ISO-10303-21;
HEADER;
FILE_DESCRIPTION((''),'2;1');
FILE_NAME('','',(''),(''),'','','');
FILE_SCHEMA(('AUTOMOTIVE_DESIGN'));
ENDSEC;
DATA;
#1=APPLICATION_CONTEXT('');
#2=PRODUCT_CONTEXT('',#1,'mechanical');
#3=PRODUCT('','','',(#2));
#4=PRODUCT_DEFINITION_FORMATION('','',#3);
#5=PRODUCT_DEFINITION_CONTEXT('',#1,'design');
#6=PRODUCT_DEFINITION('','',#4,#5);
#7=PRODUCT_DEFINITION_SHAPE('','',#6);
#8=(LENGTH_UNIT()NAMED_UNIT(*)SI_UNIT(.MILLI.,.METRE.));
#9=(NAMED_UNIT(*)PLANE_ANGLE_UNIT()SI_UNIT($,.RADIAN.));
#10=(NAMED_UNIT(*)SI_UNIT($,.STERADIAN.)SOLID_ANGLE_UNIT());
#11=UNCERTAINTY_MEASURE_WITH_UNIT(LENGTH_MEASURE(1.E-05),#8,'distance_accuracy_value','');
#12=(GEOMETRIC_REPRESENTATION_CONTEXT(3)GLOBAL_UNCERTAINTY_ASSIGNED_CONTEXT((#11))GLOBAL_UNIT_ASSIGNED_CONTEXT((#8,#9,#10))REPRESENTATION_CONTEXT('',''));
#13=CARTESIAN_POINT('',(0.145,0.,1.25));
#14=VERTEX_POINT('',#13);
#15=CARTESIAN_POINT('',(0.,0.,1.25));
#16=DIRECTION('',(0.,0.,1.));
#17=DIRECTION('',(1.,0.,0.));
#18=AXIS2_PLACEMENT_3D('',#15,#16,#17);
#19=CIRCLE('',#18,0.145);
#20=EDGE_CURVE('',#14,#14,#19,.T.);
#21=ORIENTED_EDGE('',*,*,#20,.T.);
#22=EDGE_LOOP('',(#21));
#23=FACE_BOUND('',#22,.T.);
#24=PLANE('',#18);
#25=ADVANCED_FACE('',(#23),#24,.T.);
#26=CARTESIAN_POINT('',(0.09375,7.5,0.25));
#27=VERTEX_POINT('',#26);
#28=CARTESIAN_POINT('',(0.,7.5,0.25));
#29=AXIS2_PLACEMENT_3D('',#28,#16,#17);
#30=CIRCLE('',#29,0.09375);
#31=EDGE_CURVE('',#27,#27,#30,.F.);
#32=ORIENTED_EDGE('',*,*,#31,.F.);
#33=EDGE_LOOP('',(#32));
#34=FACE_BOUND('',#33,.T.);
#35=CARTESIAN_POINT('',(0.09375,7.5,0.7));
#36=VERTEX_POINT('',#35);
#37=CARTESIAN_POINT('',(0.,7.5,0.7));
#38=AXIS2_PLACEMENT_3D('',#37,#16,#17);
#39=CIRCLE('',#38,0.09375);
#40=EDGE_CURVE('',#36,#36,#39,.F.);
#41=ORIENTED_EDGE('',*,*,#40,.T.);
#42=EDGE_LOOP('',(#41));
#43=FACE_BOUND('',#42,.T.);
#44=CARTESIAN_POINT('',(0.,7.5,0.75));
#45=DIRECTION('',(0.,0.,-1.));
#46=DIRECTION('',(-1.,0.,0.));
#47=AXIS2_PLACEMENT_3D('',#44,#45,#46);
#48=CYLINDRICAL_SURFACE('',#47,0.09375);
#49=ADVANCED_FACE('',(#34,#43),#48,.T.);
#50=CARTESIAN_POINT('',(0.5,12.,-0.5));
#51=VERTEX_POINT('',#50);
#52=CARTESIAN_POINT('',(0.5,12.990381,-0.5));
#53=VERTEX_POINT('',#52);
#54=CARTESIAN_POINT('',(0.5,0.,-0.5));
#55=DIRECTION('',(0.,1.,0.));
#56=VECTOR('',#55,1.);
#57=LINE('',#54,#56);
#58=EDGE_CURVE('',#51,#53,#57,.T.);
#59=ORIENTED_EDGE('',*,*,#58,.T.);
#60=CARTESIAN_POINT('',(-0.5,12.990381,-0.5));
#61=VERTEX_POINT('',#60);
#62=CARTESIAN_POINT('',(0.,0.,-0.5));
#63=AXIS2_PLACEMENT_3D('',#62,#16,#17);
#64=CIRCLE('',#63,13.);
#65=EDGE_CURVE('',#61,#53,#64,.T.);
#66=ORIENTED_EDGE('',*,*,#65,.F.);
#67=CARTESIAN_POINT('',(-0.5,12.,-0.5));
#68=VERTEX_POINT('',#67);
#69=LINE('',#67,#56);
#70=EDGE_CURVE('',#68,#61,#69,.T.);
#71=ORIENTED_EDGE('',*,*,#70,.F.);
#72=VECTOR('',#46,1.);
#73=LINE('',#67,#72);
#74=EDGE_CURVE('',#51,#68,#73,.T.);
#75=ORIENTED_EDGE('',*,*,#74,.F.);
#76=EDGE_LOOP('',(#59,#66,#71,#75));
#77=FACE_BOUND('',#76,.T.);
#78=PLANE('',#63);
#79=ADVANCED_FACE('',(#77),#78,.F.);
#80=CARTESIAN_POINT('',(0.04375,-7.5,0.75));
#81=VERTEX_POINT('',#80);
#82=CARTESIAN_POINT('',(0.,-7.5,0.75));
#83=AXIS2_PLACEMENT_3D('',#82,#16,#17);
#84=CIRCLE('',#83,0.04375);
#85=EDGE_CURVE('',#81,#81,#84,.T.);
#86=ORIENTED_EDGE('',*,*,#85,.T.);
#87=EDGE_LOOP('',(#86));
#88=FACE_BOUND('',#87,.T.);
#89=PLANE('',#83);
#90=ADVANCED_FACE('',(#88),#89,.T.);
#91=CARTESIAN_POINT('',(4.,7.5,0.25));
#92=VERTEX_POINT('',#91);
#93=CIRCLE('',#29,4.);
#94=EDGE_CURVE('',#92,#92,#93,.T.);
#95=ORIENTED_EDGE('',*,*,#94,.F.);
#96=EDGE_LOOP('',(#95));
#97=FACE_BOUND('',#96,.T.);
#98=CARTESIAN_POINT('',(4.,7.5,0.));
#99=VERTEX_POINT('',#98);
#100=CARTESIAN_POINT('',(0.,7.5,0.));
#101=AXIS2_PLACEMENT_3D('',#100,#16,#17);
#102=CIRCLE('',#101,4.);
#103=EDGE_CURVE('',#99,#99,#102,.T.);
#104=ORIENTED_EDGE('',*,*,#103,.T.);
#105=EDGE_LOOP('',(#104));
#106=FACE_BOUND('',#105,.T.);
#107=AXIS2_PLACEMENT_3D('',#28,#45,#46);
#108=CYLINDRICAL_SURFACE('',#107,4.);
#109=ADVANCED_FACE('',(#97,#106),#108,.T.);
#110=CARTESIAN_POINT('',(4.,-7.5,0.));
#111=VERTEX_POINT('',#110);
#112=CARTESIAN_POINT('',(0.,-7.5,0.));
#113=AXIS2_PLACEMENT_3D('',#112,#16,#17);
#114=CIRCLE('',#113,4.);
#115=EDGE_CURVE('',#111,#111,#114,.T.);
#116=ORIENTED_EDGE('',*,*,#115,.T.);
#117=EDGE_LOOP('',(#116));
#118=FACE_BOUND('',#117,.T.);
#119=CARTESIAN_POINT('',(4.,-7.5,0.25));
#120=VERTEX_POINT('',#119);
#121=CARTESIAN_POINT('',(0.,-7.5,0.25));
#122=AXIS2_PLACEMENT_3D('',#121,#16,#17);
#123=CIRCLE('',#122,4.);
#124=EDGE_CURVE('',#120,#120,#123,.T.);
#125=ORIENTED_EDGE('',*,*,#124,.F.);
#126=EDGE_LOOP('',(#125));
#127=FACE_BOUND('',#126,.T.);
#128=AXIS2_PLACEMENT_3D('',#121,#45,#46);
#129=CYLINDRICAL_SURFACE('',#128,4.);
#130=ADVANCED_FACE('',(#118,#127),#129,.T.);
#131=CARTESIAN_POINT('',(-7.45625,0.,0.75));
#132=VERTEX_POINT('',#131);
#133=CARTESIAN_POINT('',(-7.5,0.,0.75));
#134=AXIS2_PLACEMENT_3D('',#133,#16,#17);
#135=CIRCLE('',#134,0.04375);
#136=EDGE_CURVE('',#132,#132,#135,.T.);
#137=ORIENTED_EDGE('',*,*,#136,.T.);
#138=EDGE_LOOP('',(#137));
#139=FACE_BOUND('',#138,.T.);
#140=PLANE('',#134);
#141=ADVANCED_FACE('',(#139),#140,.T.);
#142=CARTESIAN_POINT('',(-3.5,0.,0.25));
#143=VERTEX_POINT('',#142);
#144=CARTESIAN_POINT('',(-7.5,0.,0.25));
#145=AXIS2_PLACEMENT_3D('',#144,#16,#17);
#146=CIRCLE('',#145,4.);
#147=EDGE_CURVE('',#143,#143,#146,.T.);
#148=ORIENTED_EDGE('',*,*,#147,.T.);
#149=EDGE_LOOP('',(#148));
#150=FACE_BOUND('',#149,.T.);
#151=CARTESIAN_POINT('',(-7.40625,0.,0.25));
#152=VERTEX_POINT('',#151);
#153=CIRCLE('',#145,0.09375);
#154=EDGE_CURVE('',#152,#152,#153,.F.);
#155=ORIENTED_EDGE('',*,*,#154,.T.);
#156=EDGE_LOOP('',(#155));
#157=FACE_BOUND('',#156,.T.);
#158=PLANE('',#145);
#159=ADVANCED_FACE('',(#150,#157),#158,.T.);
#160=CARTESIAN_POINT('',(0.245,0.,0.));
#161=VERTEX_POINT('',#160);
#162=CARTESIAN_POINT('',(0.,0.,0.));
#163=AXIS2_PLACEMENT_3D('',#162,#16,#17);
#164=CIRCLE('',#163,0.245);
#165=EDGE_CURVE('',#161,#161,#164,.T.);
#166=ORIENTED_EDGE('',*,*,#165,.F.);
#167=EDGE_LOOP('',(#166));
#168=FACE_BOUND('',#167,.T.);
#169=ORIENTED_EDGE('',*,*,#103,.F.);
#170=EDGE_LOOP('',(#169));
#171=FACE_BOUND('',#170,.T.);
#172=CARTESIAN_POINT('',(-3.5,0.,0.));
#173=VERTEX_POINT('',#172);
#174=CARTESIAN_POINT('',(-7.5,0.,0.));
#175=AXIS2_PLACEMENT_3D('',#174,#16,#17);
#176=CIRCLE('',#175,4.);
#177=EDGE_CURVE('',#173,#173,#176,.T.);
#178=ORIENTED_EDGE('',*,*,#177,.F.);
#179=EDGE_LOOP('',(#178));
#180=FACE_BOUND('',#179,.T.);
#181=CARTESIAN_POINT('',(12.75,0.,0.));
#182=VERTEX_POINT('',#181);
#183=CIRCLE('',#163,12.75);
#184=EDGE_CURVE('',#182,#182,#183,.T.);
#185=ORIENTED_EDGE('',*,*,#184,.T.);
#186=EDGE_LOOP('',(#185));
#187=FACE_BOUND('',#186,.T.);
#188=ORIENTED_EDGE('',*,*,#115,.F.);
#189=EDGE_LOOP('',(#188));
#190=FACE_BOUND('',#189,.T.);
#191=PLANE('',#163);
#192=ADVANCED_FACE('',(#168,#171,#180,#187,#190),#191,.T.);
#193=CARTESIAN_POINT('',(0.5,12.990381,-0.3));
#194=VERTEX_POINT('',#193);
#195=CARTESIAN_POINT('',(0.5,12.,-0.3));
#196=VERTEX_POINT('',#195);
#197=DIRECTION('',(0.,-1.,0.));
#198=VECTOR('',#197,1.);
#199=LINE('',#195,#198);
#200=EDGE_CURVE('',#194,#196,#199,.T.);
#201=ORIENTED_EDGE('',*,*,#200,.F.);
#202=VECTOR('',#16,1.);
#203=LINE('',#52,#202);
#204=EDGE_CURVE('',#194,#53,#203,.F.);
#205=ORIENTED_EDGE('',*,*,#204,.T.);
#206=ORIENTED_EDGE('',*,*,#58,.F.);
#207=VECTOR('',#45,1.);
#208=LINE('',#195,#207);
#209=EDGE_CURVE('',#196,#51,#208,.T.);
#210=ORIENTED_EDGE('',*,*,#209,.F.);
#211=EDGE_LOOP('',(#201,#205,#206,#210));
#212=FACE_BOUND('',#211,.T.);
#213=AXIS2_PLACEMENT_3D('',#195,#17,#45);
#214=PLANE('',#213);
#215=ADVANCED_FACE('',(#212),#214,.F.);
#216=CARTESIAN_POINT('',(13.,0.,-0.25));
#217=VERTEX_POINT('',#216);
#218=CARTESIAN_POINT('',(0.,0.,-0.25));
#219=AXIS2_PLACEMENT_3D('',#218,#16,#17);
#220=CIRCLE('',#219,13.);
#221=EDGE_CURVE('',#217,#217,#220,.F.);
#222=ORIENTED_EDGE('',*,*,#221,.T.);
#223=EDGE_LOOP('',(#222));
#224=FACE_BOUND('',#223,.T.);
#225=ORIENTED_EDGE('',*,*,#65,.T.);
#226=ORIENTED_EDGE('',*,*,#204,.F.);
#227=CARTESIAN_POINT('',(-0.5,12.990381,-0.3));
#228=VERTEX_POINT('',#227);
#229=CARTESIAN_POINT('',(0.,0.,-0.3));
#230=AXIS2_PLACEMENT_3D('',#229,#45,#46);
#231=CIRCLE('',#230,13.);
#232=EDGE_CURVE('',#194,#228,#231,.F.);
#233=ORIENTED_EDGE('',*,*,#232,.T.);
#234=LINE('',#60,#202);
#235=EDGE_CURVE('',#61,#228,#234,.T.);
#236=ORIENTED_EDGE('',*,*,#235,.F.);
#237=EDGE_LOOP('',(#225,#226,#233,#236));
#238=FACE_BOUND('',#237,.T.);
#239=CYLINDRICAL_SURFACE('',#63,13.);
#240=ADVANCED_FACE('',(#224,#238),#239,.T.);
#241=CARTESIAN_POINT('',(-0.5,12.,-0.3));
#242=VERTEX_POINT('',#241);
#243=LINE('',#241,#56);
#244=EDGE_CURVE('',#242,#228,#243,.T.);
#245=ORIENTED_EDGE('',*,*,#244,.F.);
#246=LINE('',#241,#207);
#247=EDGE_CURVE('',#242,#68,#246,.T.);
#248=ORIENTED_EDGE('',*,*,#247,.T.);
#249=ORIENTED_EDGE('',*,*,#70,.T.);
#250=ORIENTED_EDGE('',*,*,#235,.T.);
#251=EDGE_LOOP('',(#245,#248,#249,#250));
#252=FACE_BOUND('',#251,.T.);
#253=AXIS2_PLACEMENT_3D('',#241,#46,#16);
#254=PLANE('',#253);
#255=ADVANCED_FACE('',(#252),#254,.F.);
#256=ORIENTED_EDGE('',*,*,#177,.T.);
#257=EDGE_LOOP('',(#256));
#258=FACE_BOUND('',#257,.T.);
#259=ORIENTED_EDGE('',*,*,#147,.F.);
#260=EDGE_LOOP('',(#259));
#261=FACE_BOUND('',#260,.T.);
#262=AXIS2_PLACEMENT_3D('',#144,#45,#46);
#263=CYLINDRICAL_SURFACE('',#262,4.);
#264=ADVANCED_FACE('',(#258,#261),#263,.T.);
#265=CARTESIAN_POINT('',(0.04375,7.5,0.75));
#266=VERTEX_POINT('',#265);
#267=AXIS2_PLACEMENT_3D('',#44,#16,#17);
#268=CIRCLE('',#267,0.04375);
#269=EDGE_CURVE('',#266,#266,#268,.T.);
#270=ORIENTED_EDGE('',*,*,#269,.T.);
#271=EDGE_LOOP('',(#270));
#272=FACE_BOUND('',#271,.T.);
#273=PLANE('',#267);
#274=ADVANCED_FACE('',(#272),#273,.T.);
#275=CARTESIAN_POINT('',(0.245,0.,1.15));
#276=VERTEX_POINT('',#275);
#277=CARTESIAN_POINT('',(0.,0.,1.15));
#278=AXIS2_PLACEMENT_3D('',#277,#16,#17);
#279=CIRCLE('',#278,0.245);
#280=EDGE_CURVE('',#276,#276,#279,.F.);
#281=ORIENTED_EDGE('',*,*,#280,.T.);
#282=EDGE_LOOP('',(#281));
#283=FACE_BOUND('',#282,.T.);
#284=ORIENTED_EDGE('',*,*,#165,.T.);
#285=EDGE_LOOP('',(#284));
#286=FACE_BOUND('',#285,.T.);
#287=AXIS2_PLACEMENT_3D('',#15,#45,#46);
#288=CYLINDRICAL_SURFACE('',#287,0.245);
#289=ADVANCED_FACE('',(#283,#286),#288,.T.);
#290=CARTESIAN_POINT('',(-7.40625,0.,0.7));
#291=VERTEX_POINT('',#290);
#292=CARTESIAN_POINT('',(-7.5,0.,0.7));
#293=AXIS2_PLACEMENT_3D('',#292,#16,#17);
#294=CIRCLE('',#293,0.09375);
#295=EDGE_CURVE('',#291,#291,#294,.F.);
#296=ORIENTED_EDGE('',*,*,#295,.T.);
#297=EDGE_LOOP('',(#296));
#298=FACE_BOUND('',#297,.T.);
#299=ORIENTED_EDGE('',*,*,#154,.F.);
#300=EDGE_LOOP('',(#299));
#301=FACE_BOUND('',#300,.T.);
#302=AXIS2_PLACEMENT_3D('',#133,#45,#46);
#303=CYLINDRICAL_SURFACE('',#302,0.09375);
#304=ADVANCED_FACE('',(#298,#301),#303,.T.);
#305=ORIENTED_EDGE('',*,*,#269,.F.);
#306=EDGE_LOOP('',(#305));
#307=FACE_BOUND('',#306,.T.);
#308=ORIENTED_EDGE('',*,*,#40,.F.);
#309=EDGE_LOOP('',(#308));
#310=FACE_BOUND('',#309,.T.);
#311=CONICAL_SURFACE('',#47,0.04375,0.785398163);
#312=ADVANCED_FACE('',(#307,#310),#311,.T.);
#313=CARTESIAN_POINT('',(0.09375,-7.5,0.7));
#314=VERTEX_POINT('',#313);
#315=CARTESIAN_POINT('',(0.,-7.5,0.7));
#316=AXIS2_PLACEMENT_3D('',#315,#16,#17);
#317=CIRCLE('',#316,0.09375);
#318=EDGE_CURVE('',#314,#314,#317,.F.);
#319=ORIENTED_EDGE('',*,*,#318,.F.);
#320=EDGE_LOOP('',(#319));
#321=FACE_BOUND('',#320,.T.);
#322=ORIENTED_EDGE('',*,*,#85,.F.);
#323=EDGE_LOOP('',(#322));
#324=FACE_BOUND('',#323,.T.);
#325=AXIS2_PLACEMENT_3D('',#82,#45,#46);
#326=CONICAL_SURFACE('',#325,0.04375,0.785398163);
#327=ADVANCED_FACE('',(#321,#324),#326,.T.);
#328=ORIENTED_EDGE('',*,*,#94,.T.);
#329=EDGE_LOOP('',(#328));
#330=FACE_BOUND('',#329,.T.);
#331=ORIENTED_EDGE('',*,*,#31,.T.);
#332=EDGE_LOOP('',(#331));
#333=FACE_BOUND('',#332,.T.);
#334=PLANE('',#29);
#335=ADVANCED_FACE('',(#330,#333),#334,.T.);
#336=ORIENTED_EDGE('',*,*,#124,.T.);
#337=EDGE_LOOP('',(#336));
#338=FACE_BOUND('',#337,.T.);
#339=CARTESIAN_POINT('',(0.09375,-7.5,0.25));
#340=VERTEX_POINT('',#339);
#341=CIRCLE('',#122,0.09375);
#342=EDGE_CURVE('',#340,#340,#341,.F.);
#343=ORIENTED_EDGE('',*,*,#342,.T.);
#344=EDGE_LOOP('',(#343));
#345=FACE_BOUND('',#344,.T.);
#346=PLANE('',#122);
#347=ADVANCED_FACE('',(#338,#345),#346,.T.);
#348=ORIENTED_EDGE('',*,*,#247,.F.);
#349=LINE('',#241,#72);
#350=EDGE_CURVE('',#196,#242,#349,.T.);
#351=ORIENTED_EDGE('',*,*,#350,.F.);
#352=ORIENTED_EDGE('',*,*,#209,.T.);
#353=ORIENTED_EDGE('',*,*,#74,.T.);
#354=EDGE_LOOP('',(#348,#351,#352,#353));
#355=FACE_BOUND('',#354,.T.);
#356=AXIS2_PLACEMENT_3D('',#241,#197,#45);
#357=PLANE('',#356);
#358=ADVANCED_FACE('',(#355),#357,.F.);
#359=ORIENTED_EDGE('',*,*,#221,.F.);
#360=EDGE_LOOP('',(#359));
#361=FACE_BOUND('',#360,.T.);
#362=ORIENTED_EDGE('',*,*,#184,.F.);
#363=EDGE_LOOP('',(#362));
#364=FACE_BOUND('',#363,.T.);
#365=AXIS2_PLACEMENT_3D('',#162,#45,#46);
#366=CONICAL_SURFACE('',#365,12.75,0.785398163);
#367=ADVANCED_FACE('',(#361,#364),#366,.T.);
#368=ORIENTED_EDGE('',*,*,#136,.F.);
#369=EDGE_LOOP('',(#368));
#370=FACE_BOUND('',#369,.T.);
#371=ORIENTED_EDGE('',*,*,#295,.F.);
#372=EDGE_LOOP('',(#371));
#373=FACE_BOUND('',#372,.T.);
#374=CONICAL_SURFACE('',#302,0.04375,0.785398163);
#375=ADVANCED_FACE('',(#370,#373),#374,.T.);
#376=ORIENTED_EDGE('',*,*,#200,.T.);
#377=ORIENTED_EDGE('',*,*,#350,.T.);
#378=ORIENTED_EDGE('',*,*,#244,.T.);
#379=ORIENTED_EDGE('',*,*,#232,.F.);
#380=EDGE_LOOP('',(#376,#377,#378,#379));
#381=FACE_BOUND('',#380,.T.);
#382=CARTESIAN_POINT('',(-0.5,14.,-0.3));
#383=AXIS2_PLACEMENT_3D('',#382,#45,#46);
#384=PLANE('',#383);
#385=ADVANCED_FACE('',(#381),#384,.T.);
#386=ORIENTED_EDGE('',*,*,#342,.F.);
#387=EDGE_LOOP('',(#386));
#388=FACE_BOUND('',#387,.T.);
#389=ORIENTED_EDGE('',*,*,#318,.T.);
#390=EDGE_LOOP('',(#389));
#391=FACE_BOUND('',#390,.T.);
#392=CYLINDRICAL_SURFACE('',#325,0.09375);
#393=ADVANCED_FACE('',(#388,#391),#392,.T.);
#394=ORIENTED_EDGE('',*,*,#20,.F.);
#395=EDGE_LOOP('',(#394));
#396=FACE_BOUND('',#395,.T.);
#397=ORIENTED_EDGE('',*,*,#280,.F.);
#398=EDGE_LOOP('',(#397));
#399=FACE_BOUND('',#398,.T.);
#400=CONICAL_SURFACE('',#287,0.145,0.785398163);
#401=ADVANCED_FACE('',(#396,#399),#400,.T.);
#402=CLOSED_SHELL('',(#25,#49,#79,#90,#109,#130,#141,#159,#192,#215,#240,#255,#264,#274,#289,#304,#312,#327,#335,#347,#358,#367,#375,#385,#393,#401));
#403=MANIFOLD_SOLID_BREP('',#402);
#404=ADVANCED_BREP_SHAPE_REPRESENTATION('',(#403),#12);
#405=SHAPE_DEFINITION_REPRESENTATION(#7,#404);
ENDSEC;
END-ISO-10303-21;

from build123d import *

# Parameters (mm, degrees)
SKETCH1_R           = 13
BASE_EXTRUDE_DEPTH  = 0.5
SKETCH2_R           = 4
BOSS_EXTRUDE1_DEPTH = 0.25
SKETCH3_R           = 0.09375
BOSS_EXTRUDE2_DEPTH = 0.75
SKETCH4_R           = 0.245
BOSS_EXTRUDE3_DEPTH = 1.25
SKETCH5_W           = 1
SKETCH5_H           = 2
CUT_EXTRUDE1_DEPTH  = 0.2
CHAMFER1_SIZE       = 0.1
CHAMFER2_SIZE       = 0.05
CHAMFER4_SIZE       = 0.25


with BuildPart() as part:
    # Sketch1 → Base-Extrude (new body)
    with BuildSketch(Plane.XY):
        Circle(SKETCH1_R)
    extrude(amount=-BASE_EXTRUDE_DEPTH)

    # Sketch2 → Boss-Extrude1 (add)
    with BuildSketch(Plane.XY):
        with Locations((-7.5, 0)):
            Circle(SKETCH2_R)
        with Locations((0, 7.5)):
            Circle(SKETCH2_R)
        with Locations((0, -7.5)):
            Circle(SKETCH2_R)
    extrude(amount=BOSS_EXTRUDE1_DEPTH)

    # Sketch3 → Boss-Extrude2 (add)
    with BuildSketch(Plane.XY):
        with Locations((-7.5, 0)):
            Circle(SKETCH3_R)
        with Locations((0, 7.5)):
            Circle(SKETCH3_R)
        with Locations((0, -7.5)):
            Circle(SKETCH3_R)
    extrude(amount=BOSS_EXTRUDE2_DEPTH)

    # Sketch4 → Boss-Extrude3 (add)
    with BuildSketch(Plane.XY):
        Circle(SKETCH4_R)
    extrude(amount=BOSS_EXTRUDE3_DEPTH)

    # Sketch5 → Cut-Extrude1 (cut)
    with BuildSketch(Plane(origin=(0, 0, -0.5), x_dir=(-1, 0, 0), z_dir=(0, 0, -1))):
        with Locations((0, 13)):
            Rectangle(SKETCH5_W, SKETCH5_H)
    extrude(amount=-CUT_EXTRUDE1_DEPTH, mode=Mode.SUBTRACT)

    # Chamfer1
    chamfer1_edges = [part.edges().sort_by_distance(p)[0] for p in [
        (-0.245, 0, 1.25),
    ]]
    chamfer(chamfer1_edges, length=CHAMFER1_SIZE)

    # Chamfer2
    chamfer2_edges = [part.edges().sort_by_distance(p)[0] for p in [
        (-7.59375, 0, 0.75),
        (-0.09375, 7.5, 0.75),
        (-0.09375, -7.5, 0.75),
    ]]
    chamfer(chamfer2_edges, length=CHAMFER2_SIZE)

    # Chamfer4
    chamfer4_edges = [part.edges().sort_by_distance(p)[0] for p in [
        (-13, 0, 0),
    ]]
    chamfer(chamfer4_edges, length=CHAMFER4_SIZE)


solid = part.part
